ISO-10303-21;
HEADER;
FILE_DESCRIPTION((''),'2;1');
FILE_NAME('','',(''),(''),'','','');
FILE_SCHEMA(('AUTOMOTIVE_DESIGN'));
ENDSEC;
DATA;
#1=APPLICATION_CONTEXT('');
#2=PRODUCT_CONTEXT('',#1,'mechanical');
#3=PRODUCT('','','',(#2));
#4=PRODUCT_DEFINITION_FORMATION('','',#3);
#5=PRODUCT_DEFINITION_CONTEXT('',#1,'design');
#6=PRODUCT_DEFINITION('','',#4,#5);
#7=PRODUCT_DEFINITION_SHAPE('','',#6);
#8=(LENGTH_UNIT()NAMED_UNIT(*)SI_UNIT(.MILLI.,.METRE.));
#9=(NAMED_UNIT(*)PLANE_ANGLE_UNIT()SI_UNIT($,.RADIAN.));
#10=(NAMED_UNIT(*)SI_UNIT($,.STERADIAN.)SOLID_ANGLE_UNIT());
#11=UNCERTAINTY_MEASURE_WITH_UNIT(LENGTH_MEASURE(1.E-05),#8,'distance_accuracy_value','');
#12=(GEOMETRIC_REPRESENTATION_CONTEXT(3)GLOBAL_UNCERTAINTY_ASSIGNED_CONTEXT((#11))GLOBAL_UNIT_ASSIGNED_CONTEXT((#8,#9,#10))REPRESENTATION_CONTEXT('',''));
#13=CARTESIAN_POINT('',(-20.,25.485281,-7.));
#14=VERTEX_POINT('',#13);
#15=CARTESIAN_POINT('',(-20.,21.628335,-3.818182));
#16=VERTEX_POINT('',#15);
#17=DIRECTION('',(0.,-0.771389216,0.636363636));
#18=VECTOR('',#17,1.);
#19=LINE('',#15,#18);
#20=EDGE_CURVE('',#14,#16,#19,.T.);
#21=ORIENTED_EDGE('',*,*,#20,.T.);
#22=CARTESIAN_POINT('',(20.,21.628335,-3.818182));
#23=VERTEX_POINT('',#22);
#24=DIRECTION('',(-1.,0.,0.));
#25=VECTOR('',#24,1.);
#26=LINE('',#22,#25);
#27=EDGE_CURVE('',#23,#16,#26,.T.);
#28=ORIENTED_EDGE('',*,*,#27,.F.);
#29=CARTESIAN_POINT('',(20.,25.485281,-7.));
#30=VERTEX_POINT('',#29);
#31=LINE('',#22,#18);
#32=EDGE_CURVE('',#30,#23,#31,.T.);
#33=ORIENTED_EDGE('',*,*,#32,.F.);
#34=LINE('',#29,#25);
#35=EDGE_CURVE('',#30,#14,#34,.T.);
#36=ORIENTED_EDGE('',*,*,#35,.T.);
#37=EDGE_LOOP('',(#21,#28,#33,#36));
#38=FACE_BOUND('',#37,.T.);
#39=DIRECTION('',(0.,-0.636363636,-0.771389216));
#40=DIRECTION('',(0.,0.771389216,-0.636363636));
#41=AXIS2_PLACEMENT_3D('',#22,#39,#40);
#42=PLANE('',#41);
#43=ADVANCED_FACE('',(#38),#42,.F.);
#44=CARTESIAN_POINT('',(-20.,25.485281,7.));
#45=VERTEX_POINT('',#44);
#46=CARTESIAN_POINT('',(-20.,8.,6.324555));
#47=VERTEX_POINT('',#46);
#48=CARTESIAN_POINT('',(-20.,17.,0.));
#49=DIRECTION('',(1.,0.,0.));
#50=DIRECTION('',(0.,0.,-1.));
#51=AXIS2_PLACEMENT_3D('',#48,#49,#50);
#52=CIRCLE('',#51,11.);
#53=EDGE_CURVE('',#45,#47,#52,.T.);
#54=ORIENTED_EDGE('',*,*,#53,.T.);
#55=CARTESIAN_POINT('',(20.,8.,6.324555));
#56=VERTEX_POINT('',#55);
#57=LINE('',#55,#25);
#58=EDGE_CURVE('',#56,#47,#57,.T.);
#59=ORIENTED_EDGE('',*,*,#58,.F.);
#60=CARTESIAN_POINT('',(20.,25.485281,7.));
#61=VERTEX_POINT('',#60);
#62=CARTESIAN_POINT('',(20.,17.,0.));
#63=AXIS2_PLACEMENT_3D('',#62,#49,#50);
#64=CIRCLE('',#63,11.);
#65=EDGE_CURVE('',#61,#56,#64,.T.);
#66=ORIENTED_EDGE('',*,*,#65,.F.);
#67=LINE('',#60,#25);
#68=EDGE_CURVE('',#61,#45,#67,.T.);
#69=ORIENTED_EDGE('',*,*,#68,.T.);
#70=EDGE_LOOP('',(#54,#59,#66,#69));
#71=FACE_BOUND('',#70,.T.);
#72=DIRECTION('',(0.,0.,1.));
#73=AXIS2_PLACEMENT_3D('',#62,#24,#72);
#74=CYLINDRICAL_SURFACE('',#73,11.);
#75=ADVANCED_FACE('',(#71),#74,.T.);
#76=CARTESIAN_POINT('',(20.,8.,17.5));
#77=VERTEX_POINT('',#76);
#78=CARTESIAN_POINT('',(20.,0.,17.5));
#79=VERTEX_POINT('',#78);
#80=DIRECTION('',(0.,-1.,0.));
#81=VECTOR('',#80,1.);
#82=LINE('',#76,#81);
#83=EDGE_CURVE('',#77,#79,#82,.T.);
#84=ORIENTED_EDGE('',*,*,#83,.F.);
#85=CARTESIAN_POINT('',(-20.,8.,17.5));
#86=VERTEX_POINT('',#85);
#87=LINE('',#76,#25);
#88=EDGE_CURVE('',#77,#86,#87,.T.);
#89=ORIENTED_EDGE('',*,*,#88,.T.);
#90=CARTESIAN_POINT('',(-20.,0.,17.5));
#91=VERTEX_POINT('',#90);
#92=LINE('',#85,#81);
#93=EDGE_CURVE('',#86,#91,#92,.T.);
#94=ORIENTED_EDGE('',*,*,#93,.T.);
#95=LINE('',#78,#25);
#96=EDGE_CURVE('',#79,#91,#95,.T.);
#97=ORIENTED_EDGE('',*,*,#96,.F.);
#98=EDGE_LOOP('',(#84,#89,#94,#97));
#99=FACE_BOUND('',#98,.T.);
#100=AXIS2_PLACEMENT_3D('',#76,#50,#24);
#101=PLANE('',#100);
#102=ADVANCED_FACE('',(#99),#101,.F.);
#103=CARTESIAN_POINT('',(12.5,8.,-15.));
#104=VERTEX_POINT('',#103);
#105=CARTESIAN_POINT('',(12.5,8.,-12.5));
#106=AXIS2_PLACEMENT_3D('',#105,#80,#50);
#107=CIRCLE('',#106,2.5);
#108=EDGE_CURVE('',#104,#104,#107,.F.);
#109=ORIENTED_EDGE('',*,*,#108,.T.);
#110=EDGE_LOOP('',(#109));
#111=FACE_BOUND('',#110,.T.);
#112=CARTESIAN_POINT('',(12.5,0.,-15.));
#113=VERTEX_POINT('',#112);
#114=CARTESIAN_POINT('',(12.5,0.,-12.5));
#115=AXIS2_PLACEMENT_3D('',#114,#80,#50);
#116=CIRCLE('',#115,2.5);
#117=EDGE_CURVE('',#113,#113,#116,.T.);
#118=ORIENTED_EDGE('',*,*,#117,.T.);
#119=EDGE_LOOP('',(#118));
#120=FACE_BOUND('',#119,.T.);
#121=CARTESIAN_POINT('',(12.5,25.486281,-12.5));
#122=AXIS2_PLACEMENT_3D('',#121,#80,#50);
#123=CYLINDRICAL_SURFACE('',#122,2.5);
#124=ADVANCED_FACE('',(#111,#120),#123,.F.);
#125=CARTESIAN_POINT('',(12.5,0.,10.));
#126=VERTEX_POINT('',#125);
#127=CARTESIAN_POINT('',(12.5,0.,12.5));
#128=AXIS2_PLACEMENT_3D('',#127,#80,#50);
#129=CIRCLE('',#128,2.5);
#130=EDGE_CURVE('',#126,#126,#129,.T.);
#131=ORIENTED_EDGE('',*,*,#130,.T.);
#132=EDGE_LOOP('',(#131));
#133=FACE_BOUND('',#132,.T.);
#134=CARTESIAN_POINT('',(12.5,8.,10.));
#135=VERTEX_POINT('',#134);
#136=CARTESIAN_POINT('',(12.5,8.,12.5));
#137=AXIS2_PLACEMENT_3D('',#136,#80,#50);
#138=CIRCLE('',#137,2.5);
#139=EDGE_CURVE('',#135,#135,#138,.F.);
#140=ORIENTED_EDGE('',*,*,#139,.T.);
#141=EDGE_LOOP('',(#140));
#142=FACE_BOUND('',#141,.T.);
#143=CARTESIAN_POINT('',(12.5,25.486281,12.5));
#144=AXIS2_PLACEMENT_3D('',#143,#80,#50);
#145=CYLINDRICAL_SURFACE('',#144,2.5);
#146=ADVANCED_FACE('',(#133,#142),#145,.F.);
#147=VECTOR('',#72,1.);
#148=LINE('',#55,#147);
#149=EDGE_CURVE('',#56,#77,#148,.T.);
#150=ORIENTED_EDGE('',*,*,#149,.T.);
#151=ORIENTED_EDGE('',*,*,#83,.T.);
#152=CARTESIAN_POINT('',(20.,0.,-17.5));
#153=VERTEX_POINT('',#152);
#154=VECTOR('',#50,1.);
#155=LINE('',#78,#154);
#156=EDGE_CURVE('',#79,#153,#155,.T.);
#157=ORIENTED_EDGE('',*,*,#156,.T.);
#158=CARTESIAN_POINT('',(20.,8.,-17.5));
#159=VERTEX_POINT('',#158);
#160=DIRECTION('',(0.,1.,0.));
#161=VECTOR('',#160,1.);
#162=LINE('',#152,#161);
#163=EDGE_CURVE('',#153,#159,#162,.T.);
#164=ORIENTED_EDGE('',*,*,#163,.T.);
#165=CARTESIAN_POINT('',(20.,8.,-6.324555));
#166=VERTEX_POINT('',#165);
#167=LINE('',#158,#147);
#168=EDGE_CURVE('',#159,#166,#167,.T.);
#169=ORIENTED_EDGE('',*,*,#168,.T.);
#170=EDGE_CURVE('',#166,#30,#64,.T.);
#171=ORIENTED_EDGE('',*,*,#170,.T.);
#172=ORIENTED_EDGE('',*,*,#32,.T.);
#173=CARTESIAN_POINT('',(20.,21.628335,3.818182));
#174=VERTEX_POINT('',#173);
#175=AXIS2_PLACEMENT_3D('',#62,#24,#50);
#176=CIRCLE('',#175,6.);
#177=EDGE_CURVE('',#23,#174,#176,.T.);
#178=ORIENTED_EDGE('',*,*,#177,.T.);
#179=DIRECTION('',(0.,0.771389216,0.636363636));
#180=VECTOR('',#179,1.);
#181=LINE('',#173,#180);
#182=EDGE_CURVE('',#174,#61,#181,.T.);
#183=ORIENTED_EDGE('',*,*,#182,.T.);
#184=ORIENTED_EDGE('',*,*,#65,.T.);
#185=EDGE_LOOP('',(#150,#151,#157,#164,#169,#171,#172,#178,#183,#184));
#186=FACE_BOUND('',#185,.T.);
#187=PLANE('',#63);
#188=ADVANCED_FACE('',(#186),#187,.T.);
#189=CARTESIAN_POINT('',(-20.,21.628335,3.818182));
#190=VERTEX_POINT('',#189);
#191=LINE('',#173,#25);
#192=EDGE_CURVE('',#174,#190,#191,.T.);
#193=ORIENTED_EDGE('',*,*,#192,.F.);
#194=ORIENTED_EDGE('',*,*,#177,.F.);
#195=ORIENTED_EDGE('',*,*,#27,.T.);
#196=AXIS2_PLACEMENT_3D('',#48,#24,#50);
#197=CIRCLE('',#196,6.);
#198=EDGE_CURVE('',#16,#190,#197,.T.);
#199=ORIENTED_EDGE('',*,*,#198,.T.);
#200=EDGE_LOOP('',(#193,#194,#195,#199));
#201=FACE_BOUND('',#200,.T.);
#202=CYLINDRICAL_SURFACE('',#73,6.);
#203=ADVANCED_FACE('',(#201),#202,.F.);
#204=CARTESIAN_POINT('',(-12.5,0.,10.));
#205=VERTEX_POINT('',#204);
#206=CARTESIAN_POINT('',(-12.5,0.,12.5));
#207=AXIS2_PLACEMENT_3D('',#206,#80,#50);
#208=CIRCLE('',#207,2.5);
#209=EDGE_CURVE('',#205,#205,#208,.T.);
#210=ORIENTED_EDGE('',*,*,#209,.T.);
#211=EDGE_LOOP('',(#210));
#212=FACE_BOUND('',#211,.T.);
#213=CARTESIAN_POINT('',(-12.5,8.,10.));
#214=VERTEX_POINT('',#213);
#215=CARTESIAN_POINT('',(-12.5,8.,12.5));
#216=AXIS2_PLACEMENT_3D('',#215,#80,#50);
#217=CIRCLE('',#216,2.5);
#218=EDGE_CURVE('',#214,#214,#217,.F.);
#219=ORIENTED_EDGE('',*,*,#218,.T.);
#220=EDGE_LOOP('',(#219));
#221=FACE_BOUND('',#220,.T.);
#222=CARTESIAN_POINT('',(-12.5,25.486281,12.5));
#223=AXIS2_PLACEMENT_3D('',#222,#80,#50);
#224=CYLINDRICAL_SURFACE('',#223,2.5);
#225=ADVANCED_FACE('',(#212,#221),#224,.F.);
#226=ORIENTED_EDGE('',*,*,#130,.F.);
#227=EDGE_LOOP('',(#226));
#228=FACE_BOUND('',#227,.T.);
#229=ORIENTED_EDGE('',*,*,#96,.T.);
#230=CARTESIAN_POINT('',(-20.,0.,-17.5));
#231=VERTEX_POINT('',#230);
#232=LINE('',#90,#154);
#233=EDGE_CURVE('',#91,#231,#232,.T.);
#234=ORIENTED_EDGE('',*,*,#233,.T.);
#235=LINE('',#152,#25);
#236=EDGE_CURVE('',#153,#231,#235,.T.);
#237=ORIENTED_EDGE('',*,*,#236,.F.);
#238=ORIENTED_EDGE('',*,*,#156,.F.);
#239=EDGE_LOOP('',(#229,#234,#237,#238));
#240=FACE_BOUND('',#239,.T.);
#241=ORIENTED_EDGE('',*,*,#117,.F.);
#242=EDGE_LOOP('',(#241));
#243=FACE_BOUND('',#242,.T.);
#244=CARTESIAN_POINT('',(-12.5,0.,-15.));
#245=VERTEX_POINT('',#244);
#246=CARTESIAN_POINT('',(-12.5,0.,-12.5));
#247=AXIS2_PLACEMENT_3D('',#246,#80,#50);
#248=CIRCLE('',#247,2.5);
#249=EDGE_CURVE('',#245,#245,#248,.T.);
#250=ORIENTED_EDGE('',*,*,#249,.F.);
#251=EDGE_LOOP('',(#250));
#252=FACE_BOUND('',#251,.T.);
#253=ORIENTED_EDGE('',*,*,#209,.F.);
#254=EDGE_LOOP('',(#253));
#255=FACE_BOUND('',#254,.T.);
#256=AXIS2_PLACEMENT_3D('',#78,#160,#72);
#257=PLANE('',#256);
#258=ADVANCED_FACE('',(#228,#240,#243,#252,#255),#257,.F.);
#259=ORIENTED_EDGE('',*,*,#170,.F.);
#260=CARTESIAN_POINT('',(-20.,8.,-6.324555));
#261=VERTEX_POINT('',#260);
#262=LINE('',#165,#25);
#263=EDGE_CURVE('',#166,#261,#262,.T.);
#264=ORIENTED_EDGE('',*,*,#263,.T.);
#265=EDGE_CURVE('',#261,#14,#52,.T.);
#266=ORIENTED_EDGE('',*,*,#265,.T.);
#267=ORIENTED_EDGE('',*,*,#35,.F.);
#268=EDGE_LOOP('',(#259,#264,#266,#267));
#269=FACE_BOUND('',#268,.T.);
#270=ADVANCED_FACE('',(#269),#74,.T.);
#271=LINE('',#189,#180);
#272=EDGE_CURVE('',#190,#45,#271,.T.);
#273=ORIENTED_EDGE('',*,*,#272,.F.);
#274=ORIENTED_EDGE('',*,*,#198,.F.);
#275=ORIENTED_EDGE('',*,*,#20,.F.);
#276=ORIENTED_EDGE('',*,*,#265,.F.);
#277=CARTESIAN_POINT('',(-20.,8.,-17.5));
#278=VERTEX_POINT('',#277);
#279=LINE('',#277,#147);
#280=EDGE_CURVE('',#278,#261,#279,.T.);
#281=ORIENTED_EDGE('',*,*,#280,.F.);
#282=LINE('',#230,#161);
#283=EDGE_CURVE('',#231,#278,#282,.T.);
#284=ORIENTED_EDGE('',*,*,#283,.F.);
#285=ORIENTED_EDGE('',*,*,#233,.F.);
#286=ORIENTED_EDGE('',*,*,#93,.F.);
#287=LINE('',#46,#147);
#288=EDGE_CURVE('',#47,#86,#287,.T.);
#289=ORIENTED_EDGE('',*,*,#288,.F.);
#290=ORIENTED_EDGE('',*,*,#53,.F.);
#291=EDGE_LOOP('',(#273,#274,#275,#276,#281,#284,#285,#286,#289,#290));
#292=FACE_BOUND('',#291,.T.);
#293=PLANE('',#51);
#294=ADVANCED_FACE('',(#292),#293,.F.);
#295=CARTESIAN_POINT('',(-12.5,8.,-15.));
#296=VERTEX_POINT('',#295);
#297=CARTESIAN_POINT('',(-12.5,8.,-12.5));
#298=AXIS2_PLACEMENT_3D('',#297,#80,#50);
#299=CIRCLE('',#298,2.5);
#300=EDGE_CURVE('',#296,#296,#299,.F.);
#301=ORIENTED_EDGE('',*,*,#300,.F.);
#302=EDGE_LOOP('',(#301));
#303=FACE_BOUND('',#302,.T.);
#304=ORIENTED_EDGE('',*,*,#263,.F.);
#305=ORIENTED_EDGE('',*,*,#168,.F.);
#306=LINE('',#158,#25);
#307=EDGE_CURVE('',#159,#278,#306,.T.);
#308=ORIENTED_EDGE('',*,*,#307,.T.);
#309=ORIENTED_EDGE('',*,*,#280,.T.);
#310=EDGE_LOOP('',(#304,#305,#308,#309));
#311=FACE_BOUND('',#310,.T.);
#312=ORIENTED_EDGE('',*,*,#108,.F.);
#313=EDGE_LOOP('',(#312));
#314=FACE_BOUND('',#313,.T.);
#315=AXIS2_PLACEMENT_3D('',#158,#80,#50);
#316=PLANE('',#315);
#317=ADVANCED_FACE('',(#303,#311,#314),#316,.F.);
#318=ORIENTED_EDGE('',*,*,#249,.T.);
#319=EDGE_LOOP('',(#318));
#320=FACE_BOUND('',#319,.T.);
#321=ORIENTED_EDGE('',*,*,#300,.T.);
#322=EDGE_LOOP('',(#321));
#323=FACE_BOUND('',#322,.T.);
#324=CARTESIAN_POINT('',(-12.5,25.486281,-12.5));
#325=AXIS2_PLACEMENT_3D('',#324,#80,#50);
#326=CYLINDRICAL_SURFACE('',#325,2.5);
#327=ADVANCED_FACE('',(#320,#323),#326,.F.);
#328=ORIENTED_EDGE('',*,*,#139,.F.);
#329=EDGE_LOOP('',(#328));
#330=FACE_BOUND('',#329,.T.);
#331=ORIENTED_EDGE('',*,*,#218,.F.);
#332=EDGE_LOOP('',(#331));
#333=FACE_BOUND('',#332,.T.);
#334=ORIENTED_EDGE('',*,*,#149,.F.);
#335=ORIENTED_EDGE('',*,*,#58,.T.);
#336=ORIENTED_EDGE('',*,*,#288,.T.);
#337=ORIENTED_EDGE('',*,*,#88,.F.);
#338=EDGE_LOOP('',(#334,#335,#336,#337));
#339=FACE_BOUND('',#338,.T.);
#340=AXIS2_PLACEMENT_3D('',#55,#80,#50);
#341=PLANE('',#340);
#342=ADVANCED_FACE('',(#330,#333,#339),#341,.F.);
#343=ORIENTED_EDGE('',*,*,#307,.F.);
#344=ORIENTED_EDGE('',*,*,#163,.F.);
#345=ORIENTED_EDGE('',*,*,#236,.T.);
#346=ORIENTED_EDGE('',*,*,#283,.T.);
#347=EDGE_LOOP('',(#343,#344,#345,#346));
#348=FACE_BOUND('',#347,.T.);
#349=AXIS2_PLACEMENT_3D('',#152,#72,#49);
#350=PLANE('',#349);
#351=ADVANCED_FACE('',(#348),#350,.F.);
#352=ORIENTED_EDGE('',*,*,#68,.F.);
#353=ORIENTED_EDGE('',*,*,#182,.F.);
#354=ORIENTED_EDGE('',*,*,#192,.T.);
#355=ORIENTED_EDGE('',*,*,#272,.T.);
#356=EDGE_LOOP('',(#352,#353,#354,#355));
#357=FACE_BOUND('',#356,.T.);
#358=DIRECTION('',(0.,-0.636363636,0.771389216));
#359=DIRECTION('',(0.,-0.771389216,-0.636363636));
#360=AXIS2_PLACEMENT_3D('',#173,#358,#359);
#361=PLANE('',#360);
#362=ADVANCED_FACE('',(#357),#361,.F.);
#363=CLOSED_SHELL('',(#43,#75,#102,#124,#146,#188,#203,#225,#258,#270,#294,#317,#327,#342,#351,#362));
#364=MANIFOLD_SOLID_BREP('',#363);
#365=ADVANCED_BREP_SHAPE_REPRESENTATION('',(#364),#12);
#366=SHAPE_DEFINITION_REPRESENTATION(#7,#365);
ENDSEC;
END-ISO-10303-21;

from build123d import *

# Parameters (mm, degrees)
EXTRUDE_1_DEPTH     = 20
CUT_EXTRUDE_1_REACH = 38.821
SKETCH_3_R          = 2.5


with BuildPart() as part:
    # Эскиз2 → Бобышка-Вытянуть1 (new, symmetric)
    with BuildSketch(Plane(origin=(0, 0, 0), x_dir=(0, 0, -1), z_dir=(1, 0, 0))):
        with BuildLine():
            Line((-3.818181818, 21.628335295), (-7, 25.485281374))
            ThreePointArc((-7, 25.485281374), (-10.991801936, 16.575394071), (-6.32455532, 8))
            Line((-6.32455532, 8), (-17.5, 8))
            Line((-17.5, 8), (-17.5, 0))
            Line((-17.5, 0), (17.5, 0))
            Line((17.5, 0), (17.5, 8))
            Line((17.5, 8), (6.32455532, 8))
            ThreePointArc((6.32455532, 8), (10.991801936, 16.575394071), (7, 25.485281374))
            Line((7, 25.485281374), (3.818181818, 21.628335295))
            ThreePointArc((3.818181818, 21.628335295), (0, 11), (-3.818181818, 21.628335295))
        make_face()
    extrude(amount=EXTRUDE_1_DEPTH, both=True)

    # Эскиз3 → Вырез-Вытянуть1 (cut, up to next)
    with BuildSketch(Plane.XZ, mode=Mode.PRIVATE) as cut_extrude_1_sk1:
        with Locations(Location((-12.5, 12.5, 0), (0, 0, 270))):
            Circle(SKETCH_3_R)
    cut_extrude_1_tool1 = extrude(cut_extrude_1_sk1.sketch, amount=-CUT_EXTRUDE_1_REACH, mode=Mode.PRIVATE) & part.part
    # Эскиз3 → Вырез-Вытянуть1 (cut, up to next)
    with BuildSketch(Plane.XZ, mode=Mode.PRIVATE) as cut_extrude_1_sk2:
        with Locations(Location((12.5, 12.5, 0), (0, 0, 270))):
            Circle(SKETCH_3_R)
    cut_extrude_1_tool2 = extrude(cut_extrude_1_sk2.sketch, amount=-CUT_EXTRUDE_1_REACH, mode=Mode.PRIVATE) & part.part
    # Эскиз3 → Вырез-Вытянуть1 (cut, up to next)
    with BuildSketch(Plane.XZ, mode=Mode.PRIVATE) as cut_extrude_1_sk3:
        with Locations(Location((-12.5, -12.5, 0), (0, 0, 270))):
            Circle(SKETCH_3_R)
    cut_extrude_1_tool3 = extrude(cut_extrude_1_sk3.sketch, amount=-CUT_EXTRUDE_1_REACH, mode=Mode.PRIVATE) & part.part
    # Эскиз3 → Вырез-Вытянуть1 (cut, up to next)
    with BuildSketch(Plane.XZ, mode=Mode.PRIVATE) as cut_extrude_1_sk4:
        with Locations(Location((12.5, -12.5, 0), (0, 0, 270))):
            Circle(SKETCH_3_R)
    cut_extrude_1_tool4 = extrude(cut_extrude_1_sk4.sketch, amount=-CUT_EXTRUDE_1_REACH, mode=Mode.PRIVATE) & part.part
    add(cut_extrude_1_tool1.solids().sort_by_distance((-12.5, 0, 12.5))[0], mode=Mode.SUBTRACT)
    add(cut_extrude_1_tool2.solids().sort_by_distance((12.5, 0, 12.5))[0], mode=Mode.SUBTRACT)
    add(cut_extrude_1_tool3.solids().sort_by_distance((-12.5, 0, -12.5))[0], mode=Mode.SUBTRACT)
    add(cut_extrude_1_tool4.solids().sort_by_distance((12.5, 0, -12.5))[0], mode=Mode.SUBTRACT)


solid = part.part
